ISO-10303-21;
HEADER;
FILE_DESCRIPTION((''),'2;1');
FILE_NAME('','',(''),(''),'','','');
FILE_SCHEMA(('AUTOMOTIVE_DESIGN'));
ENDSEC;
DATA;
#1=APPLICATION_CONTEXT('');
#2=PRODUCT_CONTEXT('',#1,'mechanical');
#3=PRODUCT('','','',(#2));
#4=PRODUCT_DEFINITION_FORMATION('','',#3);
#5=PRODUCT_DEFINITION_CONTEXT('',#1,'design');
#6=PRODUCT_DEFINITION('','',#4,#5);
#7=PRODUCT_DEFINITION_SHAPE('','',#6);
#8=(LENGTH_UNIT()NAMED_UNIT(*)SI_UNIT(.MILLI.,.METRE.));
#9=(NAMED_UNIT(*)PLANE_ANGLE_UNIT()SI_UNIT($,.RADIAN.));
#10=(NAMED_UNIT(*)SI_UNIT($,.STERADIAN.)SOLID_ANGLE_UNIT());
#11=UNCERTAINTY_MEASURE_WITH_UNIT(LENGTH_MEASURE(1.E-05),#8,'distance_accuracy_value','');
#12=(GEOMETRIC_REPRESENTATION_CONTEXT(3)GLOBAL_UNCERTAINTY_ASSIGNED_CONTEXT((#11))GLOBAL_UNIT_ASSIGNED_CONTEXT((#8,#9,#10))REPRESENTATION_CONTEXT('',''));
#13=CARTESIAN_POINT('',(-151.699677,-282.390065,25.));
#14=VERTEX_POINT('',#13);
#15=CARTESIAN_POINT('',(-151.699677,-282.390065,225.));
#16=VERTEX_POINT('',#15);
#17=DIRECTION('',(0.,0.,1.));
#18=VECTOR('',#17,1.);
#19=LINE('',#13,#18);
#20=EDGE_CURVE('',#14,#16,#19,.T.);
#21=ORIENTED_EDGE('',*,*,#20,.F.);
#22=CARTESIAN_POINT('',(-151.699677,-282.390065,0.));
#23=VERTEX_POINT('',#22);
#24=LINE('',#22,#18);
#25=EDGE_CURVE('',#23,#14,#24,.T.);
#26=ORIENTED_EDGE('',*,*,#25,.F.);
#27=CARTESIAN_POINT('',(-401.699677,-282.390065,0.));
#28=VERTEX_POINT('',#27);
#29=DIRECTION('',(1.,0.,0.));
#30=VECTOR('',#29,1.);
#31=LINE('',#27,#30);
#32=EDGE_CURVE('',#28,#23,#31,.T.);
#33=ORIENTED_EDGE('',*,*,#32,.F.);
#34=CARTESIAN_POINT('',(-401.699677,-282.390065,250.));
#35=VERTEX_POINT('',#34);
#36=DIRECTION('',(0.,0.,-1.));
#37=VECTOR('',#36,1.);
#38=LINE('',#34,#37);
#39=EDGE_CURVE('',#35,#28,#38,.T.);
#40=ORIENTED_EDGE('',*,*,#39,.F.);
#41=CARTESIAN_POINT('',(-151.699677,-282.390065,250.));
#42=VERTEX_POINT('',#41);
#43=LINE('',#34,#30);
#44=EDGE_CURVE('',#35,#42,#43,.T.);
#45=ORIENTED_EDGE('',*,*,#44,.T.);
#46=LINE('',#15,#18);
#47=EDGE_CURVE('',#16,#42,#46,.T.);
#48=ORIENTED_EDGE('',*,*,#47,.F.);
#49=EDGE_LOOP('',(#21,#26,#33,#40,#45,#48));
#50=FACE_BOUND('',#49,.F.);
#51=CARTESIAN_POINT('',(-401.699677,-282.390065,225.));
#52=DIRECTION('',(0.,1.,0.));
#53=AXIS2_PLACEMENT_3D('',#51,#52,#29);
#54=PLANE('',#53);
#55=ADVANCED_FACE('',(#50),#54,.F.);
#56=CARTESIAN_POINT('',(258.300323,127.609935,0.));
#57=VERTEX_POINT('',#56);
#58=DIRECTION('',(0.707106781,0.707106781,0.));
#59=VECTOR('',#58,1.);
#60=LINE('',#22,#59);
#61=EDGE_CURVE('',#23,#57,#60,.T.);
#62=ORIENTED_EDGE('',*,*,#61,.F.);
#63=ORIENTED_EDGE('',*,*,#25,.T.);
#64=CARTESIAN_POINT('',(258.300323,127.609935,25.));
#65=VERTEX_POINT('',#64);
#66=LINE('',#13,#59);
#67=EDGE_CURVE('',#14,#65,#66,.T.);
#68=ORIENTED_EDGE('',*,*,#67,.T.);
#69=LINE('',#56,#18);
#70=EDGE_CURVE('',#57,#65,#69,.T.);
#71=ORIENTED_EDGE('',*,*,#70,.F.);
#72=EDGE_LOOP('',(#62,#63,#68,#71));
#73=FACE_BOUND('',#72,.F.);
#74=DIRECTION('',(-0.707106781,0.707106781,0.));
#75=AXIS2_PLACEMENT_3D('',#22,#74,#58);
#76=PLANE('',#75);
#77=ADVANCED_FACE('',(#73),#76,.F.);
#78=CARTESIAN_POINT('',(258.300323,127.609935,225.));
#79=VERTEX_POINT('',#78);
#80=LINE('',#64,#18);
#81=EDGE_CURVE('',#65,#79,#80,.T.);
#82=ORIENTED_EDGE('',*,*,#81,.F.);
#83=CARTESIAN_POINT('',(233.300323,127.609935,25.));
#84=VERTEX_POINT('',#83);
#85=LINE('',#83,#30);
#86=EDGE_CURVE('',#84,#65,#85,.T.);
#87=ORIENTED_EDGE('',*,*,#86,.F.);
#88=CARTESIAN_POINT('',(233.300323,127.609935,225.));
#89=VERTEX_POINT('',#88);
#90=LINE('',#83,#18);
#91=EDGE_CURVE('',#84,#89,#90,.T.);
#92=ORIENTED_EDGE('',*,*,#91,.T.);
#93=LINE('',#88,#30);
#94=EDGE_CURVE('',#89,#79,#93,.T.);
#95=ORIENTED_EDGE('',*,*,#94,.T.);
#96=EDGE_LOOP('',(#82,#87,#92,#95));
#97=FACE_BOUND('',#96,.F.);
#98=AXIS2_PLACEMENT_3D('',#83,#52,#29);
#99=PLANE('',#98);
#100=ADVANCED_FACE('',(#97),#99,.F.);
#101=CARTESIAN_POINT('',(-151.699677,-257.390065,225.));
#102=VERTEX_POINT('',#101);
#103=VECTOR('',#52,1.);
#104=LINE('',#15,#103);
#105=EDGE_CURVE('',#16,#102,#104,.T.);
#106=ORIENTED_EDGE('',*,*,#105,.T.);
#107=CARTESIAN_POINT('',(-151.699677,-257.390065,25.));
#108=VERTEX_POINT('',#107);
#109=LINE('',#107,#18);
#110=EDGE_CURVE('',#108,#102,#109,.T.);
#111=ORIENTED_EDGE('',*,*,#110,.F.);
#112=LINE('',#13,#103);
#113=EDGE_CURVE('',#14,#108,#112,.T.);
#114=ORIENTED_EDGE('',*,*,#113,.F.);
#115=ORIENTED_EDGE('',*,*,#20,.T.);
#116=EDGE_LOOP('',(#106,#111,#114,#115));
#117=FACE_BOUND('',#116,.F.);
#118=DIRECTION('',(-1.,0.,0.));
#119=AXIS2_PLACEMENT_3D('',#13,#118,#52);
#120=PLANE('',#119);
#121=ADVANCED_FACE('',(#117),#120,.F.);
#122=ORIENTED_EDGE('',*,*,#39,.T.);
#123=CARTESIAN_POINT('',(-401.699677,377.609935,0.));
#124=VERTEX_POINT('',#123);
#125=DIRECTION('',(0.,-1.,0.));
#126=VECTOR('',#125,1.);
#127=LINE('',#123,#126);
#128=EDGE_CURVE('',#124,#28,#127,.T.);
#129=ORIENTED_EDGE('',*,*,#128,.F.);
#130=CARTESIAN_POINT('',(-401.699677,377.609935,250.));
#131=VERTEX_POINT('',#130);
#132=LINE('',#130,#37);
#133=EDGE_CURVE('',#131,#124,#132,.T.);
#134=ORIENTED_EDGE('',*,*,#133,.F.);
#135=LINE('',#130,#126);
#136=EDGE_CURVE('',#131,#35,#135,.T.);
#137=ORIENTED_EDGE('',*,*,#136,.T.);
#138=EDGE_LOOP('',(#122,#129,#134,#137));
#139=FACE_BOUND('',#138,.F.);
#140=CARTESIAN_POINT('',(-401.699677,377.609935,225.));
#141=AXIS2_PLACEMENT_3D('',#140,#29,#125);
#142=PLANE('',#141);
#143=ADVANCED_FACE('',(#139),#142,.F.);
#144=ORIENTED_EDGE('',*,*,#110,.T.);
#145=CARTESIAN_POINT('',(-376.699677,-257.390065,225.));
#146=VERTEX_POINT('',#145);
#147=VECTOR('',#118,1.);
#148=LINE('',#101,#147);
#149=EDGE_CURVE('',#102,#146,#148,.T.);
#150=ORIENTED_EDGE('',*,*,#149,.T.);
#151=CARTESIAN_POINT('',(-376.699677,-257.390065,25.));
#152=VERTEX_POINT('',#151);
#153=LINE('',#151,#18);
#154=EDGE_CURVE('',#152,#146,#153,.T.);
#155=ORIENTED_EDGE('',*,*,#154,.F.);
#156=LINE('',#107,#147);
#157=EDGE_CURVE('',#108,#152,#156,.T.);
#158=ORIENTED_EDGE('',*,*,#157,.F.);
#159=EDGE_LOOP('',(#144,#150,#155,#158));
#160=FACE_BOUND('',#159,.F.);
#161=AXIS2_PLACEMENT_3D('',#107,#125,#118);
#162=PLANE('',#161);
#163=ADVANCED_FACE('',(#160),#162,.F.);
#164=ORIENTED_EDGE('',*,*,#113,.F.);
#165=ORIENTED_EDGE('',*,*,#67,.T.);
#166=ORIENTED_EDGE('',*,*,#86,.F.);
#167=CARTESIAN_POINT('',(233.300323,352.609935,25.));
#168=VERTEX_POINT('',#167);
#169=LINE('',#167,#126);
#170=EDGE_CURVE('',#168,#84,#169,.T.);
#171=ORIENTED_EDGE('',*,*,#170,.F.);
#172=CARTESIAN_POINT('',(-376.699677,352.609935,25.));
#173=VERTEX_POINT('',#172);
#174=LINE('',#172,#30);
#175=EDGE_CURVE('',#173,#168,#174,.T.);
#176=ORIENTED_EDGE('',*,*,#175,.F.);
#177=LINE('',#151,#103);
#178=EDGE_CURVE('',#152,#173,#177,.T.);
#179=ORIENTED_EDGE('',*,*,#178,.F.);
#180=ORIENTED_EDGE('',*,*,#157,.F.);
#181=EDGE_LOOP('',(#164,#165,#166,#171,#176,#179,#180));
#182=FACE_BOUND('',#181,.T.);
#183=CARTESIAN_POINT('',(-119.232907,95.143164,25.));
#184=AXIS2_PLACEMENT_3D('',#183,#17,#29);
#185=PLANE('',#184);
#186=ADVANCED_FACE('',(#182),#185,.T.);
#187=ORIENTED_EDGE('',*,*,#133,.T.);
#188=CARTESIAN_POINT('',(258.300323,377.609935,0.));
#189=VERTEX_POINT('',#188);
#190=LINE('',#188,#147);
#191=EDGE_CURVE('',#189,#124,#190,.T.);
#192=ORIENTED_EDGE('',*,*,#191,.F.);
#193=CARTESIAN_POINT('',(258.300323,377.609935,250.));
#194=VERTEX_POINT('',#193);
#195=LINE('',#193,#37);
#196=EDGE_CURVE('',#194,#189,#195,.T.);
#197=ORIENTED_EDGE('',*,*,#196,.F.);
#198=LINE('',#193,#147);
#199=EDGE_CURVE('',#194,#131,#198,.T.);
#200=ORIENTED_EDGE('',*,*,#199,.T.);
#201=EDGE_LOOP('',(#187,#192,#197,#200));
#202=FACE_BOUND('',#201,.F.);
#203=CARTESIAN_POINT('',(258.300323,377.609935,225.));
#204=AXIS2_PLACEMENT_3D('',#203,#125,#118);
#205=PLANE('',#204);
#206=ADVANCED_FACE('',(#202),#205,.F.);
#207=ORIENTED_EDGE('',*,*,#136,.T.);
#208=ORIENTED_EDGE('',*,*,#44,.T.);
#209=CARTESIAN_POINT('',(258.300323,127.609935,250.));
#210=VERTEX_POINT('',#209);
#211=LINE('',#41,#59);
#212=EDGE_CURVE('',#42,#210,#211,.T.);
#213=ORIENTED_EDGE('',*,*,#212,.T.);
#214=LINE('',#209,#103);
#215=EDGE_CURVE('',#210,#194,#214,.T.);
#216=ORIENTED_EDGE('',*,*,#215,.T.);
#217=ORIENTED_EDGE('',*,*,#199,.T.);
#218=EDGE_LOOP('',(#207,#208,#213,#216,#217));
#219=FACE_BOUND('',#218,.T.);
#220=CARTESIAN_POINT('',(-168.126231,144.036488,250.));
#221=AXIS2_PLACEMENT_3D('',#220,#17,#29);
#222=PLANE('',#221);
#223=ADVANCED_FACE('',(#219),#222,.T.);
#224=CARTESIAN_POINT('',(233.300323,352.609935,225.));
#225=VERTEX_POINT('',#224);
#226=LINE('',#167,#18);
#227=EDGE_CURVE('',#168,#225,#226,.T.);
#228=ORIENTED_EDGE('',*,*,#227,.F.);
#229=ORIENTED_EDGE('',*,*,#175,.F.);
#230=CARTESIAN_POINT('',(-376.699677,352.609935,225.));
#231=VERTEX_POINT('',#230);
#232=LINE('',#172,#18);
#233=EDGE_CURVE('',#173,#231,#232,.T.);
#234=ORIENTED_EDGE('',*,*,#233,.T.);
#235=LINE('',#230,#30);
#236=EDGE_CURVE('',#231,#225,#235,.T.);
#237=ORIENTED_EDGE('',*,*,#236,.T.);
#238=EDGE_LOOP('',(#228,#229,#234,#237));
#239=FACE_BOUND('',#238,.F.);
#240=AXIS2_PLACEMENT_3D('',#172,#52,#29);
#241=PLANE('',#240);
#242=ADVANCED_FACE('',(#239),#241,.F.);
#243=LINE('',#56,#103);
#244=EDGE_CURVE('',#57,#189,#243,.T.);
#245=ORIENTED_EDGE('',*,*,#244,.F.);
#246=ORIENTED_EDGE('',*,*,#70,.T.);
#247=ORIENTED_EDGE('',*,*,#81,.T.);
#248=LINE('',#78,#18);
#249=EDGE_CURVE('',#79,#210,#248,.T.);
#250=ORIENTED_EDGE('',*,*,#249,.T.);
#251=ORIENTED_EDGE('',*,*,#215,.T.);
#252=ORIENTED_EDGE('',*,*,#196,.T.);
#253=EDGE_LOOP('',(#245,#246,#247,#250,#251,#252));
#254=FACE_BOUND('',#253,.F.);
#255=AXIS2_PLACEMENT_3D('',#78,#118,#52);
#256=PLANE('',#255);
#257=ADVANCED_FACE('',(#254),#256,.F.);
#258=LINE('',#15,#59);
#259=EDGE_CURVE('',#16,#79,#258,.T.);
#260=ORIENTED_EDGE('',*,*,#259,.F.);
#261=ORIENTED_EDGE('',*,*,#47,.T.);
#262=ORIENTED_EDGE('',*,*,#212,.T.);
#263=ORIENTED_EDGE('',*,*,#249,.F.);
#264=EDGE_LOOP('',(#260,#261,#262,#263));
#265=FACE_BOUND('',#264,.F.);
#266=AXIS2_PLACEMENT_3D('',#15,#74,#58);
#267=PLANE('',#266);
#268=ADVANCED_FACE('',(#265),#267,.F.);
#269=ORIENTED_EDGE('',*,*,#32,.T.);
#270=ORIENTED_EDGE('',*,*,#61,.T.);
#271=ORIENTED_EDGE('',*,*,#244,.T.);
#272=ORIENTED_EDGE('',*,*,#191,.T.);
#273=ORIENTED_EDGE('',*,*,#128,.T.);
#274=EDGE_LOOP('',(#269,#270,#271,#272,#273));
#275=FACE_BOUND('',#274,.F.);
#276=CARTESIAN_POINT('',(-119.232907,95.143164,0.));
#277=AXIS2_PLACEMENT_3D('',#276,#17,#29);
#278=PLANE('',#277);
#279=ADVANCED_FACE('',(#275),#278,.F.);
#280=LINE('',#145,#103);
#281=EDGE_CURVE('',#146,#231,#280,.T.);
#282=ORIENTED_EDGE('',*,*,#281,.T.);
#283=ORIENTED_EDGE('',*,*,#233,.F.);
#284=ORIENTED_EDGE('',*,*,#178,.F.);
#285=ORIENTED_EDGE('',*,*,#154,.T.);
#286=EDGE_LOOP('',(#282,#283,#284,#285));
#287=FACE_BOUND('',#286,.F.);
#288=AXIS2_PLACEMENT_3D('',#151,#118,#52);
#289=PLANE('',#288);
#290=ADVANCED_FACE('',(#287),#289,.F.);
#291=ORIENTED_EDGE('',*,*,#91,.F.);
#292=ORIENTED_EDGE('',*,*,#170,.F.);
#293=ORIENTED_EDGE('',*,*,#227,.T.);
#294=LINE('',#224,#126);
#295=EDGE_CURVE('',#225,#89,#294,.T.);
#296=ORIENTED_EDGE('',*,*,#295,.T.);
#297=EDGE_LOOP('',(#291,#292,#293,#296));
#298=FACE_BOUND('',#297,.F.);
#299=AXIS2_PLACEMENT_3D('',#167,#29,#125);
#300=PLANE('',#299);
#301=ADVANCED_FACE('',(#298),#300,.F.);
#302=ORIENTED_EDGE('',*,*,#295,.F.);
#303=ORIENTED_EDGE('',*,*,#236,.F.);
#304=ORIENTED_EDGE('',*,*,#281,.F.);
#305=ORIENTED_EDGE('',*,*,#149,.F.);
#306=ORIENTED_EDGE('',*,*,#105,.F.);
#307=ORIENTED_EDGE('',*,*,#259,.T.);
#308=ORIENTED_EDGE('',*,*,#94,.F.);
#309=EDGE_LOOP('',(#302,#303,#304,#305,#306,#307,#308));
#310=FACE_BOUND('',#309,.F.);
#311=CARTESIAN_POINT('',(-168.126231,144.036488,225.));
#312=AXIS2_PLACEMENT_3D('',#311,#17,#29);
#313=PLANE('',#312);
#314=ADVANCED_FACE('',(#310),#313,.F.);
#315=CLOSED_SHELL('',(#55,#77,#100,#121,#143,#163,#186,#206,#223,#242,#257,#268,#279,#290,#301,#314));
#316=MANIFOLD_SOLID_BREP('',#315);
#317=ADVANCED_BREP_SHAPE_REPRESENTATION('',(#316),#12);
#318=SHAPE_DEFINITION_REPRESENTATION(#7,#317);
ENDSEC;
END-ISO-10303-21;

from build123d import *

# Parameters (mm, degrees)
F1_DEPTH = 25
F3_DEPTH = 200
F5_DEPTH = 25


with BuildPart() as f1:
    # F0 (on Top) → F1 (new body)
    with BuildSketch(Plane.XY):
        Polygon((-401.6996773316, 377.6099345749), (-401.6996773316, -282.3900654251), (-151.6996773316, -282.3900654251), (258.3003226684, 127.6099345749), (258.3003226684, 377.6099345749), align=None)
    extrude(amount=F1_DEPTH)

    # F2 (on face) → F3 (join)
    with BuildSketch(Plane.XY.offset(25)):
        Polygon((-376.6996773316, -257.3900654251), (-376.6996773316, 352.6099345749), (233.3003226684, 352.6099345749), (233.3003226684, 127.6099345749), (258.3003226684, 127.6099345749), (258.3003226684, 377.6099345749), (-401.6996773316, 377.6099345749), (-401.6996773316, -282.3900654251), (-151.6996773316, -282.3900654251), (-151.6996773316, -257.3900654251), align=None)
    extrude(amount=F3_DEPTH)

    # F4 (on face) → F5 (join)
    with BuildSketch(Plane.XY.offset(225)):
        Polygon((-401.6996773316, -282.3900654251), (-151.6996773316, -282.3900654251), (-151.6996773316, -257.3900654251), (-376.6996773316, -257.3900654251), (-376.6996773316, 352.6099345749), (233.3003226684, 352.6099345749), (233.3003226684, 127.6099345749), (258.3003226684, 127.6099345749), (258.3003226684, 377.6099345749), (-401.6996773316, 377.6099345749), align=None)
        Polygon((-151.6996773316, -257.3900654251), (-151.6996773316, -282.3900654251), (258.3003226684, 127.6099345749), (233.3003226684, 127.6099345749), (233.3003226684, 352.6099345749), (-376.6996773316, 352.6099345749), (-376.6996773316, -257.3900654251), align=None)
    extrude(amount=F5_DEPTH)


solid = f1.part
